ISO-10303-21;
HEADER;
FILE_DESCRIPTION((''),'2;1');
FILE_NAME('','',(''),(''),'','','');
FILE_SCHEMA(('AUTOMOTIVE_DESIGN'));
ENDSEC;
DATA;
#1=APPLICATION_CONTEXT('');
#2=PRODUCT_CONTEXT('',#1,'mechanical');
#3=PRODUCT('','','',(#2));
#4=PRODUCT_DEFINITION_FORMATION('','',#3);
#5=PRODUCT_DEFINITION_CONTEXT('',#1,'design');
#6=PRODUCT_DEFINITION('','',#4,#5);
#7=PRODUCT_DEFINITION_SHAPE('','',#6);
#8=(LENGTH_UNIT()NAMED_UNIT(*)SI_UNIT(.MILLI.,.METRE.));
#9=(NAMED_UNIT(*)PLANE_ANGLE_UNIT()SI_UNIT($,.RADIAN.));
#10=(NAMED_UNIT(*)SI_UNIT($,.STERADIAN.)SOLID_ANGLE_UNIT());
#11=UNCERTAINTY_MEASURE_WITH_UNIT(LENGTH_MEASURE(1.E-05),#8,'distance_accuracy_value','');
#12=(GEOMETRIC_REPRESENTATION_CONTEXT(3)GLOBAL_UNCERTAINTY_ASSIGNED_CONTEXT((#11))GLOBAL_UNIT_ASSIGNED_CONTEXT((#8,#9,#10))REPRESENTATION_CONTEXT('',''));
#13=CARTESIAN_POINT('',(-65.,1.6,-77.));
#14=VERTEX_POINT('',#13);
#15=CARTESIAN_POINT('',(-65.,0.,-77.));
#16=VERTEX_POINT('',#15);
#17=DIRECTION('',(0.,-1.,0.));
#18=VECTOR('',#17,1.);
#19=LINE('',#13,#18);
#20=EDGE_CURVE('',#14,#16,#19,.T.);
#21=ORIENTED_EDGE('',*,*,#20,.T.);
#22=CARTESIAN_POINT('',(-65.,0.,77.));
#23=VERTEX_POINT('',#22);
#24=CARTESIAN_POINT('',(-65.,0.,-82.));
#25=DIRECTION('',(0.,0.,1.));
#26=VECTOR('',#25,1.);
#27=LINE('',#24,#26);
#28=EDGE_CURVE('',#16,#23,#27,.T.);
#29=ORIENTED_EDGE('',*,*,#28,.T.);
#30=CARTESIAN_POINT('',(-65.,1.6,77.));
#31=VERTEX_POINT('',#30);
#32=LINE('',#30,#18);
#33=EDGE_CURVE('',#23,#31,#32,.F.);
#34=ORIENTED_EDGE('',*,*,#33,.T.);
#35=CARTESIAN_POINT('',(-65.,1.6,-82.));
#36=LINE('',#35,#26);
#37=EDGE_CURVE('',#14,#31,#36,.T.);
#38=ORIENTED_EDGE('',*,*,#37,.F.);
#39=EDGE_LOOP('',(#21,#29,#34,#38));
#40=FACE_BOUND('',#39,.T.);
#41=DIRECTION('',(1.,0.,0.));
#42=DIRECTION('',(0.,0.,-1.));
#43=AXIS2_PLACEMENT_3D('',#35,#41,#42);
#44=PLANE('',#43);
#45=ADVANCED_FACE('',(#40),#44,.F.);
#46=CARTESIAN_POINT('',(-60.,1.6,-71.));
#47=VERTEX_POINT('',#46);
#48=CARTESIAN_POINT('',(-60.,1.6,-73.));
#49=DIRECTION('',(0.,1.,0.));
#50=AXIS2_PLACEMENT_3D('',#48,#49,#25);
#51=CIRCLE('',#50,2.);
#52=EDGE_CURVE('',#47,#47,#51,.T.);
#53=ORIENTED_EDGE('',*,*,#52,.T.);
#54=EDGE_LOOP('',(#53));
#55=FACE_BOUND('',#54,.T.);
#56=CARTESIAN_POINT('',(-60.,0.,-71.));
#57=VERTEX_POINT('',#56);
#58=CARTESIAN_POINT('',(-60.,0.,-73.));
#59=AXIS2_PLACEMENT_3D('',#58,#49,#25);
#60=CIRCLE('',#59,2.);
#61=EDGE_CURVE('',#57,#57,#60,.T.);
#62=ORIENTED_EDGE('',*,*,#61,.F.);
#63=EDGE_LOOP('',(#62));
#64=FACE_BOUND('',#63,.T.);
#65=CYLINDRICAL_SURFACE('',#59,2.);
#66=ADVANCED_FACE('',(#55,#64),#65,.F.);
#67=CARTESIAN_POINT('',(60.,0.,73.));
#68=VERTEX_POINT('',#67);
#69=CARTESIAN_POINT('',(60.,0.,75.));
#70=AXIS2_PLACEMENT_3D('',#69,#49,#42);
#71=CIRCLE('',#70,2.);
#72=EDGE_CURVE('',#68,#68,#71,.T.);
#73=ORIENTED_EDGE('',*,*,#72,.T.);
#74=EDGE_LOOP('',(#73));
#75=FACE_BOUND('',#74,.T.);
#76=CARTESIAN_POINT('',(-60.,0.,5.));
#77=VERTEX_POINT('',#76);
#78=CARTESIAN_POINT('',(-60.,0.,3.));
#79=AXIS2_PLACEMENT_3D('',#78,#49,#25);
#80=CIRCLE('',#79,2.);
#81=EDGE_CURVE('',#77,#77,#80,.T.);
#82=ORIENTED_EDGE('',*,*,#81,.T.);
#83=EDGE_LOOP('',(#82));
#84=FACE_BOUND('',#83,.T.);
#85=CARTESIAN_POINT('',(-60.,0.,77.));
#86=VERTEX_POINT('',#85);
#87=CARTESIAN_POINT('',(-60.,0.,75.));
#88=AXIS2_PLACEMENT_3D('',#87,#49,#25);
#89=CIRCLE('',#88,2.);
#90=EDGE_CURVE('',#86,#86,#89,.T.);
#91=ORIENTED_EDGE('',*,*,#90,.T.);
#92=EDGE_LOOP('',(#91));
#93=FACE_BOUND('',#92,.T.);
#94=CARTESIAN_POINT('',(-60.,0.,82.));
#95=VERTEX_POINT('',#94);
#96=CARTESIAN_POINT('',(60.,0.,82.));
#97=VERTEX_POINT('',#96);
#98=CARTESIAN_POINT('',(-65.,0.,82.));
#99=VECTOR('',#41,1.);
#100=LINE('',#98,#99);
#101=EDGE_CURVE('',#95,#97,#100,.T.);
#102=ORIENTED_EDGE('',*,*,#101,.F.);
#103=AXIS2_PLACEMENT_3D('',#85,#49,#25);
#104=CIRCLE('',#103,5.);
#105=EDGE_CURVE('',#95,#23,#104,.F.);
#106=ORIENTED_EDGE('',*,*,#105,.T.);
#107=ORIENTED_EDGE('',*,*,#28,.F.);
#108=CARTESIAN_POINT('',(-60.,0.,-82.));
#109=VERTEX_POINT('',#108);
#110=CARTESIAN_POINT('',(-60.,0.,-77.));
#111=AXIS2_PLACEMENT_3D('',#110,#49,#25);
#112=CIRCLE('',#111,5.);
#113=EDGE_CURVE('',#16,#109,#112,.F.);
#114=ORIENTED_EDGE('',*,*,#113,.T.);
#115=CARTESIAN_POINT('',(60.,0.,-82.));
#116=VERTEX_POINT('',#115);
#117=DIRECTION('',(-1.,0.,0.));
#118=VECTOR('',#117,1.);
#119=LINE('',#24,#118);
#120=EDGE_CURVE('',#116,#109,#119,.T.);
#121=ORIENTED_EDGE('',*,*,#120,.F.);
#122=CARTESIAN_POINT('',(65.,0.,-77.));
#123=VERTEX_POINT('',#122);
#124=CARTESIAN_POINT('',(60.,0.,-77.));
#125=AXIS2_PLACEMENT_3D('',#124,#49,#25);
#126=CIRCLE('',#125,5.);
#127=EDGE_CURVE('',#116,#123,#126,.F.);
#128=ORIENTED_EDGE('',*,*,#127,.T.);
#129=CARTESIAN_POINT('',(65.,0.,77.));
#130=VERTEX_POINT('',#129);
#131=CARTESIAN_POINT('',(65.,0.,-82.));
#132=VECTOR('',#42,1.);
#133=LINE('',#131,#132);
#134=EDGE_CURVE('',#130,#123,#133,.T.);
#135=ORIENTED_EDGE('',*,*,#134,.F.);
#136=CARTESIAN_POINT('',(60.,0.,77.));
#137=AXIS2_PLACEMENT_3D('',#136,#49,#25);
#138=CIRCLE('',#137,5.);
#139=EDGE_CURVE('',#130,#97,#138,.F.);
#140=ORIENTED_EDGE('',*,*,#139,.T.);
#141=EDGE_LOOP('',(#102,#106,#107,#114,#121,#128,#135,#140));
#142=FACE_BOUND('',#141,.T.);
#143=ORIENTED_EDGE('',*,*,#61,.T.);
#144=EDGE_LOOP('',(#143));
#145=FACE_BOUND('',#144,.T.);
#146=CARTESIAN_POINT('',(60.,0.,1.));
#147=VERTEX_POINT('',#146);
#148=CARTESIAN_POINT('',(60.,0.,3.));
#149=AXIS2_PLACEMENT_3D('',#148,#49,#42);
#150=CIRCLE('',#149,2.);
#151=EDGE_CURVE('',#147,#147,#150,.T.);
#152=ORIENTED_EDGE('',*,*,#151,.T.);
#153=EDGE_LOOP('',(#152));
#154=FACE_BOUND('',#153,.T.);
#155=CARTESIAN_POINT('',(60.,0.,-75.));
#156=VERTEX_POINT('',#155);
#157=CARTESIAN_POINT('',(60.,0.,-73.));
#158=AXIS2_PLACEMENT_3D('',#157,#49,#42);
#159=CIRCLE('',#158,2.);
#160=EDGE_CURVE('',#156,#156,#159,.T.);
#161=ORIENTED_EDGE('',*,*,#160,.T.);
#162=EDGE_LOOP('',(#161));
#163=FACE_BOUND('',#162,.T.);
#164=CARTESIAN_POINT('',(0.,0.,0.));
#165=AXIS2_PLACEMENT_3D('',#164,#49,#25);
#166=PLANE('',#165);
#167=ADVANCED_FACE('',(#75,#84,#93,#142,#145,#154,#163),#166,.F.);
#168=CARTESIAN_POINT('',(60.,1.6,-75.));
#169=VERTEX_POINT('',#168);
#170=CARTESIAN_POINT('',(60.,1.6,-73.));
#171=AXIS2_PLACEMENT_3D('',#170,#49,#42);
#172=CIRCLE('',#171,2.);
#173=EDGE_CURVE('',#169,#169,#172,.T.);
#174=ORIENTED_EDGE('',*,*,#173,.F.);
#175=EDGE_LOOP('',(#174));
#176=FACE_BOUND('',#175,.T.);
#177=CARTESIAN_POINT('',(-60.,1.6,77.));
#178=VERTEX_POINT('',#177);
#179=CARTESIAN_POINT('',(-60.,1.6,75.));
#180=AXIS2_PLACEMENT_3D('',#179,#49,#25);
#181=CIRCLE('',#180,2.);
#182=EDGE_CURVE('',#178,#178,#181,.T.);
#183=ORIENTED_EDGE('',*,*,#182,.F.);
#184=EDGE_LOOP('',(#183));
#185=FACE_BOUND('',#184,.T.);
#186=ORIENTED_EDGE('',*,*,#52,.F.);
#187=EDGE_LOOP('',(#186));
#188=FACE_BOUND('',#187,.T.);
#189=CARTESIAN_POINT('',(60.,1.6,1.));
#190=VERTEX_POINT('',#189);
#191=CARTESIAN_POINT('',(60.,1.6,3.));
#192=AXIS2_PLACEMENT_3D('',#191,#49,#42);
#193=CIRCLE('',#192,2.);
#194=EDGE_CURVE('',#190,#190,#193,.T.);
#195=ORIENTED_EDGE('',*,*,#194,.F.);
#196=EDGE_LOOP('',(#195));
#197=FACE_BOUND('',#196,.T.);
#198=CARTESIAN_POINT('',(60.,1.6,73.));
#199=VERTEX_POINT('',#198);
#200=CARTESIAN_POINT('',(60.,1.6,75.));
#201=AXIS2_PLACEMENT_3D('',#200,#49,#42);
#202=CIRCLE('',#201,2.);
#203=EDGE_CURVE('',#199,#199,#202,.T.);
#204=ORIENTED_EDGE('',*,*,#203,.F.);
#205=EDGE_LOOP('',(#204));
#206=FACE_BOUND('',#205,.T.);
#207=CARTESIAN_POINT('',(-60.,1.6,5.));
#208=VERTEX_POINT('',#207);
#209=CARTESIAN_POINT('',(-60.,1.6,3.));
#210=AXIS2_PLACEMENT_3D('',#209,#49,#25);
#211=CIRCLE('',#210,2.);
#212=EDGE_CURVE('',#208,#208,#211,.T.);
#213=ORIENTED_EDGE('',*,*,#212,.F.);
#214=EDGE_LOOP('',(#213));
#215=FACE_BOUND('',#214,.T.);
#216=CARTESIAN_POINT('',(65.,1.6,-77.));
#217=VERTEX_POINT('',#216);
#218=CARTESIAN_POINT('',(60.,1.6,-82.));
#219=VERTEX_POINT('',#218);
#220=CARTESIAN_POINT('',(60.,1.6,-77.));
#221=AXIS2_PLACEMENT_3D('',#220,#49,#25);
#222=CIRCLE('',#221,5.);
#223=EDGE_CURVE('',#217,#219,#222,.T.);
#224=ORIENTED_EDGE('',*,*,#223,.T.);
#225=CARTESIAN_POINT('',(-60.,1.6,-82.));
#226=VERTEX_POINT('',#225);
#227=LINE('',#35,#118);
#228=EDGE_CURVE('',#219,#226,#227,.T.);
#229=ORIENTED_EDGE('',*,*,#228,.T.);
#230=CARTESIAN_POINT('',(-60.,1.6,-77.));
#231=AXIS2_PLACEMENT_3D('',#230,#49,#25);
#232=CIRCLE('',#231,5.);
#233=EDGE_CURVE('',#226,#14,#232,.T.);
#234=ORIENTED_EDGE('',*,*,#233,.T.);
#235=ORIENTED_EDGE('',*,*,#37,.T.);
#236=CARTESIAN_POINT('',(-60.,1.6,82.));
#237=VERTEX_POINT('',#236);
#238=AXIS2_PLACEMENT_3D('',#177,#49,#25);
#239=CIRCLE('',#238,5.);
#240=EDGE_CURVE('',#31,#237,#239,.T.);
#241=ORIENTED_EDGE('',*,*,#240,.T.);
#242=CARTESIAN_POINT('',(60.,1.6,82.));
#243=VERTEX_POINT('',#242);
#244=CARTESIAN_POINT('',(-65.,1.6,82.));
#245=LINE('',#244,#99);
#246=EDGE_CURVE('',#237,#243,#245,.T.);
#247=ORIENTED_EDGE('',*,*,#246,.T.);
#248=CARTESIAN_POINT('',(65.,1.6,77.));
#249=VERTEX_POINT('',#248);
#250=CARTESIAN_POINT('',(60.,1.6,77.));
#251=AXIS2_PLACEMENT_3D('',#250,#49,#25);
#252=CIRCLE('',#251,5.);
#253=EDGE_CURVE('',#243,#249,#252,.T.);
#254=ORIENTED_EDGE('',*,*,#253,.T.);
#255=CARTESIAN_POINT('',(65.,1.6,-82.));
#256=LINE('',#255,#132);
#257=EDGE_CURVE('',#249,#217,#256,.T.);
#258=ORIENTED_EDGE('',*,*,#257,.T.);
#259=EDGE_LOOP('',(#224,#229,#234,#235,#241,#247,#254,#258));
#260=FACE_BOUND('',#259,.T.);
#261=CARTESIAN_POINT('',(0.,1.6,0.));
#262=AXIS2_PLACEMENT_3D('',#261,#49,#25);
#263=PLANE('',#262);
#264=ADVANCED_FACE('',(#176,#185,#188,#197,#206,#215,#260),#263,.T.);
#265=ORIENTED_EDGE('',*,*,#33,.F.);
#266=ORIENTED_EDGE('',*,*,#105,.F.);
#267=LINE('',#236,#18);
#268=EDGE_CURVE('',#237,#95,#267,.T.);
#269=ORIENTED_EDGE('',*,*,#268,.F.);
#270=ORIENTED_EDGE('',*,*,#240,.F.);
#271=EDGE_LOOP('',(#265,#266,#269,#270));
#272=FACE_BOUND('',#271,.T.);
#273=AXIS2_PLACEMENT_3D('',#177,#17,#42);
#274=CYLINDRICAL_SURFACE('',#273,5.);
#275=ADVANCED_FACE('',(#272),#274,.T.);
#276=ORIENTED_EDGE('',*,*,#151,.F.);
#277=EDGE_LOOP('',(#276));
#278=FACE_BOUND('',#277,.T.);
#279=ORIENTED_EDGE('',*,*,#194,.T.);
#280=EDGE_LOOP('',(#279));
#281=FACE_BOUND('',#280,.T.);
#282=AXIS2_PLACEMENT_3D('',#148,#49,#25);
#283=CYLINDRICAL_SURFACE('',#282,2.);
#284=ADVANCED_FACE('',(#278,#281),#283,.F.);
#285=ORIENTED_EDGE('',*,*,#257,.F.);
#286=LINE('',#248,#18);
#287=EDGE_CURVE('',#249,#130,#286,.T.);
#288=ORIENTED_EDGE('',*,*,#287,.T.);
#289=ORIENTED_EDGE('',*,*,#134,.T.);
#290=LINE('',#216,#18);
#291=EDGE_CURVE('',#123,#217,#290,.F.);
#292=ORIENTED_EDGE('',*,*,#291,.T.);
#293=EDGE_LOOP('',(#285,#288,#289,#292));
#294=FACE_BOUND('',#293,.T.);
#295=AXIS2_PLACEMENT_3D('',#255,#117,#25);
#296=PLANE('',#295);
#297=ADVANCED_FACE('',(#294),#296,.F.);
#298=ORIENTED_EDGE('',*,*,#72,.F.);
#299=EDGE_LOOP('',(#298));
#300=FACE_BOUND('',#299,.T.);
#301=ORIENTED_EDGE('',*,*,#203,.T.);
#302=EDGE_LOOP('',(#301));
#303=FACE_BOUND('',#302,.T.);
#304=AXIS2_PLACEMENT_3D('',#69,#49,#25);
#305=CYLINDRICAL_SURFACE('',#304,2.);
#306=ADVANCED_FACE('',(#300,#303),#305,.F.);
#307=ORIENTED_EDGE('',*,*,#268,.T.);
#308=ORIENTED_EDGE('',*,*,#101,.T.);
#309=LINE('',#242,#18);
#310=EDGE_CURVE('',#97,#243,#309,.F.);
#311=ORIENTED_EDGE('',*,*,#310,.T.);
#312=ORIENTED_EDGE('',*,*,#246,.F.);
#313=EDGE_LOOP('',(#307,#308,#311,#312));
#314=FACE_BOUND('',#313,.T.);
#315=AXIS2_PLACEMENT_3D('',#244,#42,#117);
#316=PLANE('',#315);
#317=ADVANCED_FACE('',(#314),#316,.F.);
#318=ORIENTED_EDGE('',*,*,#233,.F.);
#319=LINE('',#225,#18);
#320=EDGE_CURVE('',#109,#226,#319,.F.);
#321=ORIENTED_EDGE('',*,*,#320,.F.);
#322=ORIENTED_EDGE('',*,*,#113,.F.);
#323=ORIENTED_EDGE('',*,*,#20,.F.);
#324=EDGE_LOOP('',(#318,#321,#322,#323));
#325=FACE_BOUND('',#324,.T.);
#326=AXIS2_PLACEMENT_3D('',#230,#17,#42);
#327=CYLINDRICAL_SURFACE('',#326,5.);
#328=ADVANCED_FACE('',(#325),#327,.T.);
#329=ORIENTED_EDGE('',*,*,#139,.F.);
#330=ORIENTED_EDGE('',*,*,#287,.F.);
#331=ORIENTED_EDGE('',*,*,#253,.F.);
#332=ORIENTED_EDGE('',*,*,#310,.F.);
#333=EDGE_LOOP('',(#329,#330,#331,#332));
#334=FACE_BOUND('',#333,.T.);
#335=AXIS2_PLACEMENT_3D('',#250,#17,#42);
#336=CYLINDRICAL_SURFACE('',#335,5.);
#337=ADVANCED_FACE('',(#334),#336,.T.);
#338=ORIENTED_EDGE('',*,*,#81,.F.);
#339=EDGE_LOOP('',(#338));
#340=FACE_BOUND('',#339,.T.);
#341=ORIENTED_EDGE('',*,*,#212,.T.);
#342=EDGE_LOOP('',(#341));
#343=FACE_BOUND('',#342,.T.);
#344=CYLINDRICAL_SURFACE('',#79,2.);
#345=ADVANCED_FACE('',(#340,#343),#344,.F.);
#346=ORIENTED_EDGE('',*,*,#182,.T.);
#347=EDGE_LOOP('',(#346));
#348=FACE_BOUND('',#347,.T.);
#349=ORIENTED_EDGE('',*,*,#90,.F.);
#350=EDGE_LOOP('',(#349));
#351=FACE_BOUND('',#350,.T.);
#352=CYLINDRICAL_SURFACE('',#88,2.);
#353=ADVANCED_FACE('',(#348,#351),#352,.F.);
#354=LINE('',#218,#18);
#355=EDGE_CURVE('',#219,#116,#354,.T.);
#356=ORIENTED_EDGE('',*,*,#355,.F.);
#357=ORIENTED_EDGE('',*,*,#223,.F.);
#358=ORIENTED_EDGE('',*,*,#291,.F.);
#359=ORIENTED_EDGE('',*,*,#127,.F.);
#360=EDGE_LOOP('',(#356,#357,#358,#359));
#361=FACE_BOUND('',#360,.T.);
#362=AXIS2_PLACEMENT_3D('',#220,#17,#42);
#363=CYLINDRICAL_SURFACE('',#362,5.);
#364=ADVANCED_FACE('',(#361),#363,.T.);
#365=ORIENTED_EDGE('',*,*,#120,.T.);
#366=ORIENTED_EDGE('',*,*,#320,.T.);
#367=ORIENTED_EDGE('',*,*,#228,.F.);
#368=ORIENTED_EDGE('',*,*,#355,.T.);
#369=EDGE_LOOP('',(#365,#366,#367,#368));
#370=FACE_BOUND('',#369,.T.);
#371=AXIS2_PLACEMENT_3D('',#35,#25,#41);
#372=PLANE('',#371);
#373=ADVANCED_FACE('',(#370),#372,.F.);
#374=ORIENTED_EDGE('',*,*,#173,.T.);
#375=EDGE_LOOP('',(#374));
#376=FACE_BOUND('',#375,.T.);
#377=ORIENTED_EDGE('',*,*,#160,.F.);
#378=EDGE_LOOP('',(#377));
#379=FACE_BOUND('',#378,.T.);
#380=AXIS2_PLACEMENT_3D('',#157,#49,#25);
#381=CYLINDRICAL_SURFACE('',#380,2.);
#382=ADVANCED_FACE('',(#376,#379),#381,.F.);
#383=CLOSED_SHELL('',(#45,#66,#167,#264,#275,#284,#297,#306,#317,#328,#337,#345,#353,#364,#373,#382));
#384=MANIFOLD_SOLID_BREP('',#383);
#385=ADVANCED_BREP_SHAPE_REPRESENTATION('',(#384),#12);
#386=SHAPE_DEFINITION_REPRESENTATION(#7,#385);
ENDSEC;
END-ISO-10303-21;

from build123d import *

# Parameters (mm, degrees)
ESQUISSE1_W             = 130
ESQUISSE1_H             = 164
BOSS_EXTRU_1_DEPTH      = 1.6
ESQUISSE2_R             = 2
ENL_V_MAT_EXTRU_1_DEPTH = 105.649701385
CONG_1_R                = 5


with BuildPart() as part:
    # Esquisse1 → Boss.-Extru.1 (new body)
    with BuildSketch(Plane(origin=(0, 0, 0), x_dir=(1, 0, 0), z_dir=(0, 1, 0))):
        Rectangle(ESQUISSE1_W, ESQUISSE1_H)
    extrude(amount=BOSS_EXTRU_1_DEPTH)

    # Esquisse2 → Enlèv. mat.-Extru.1 (cut, through all)
    with BuildSketch(Plane(origin=(0, 1.6, 0), x_dir=(1, 0, 0), z_dir=(0, 1, 0))):
        with Locations(Location((-60, 73, 0), (0, 0, 270))):
            Circle(ESQUISSE2_R)
        with Locations(Location((-60, -3, 0), (0, 0, 270))):
            Circle(ESQUISSE2_R)
        with Locations(Location((-60, -75, 0), (0, 0, 270))):
            Circle(ESQUISSE2_R)
        with Locations(Location((60, -75, 0), (0, 0, 90))):
            Circle(ESQUISSE2_R)
        with Locations(Location((60, -3, 0), (0, 0, 90))):
            Circle(ESQUISSE2_R)
        with Locations(Location((60, 73, 0), (0, 0, 90))):
            Circle(ESQUISSE2_R)
    extrude(amount=-ENL_V_MAT_EXTRU_1_DEPTH, mode=Mode.SUBTRACT)

    # Congé1
    cong_1_edges = [part.edges().sort_by_distance(p)[0] for p in [
        (65, 0.8, 82),
        (-65, 0.8, 82),
        (-65, 0.8, -82),
        (65, 0.8, -82),
    ]]
    fillet(cong_1_edges, radius=CONG_1_R)


solid = part.part
